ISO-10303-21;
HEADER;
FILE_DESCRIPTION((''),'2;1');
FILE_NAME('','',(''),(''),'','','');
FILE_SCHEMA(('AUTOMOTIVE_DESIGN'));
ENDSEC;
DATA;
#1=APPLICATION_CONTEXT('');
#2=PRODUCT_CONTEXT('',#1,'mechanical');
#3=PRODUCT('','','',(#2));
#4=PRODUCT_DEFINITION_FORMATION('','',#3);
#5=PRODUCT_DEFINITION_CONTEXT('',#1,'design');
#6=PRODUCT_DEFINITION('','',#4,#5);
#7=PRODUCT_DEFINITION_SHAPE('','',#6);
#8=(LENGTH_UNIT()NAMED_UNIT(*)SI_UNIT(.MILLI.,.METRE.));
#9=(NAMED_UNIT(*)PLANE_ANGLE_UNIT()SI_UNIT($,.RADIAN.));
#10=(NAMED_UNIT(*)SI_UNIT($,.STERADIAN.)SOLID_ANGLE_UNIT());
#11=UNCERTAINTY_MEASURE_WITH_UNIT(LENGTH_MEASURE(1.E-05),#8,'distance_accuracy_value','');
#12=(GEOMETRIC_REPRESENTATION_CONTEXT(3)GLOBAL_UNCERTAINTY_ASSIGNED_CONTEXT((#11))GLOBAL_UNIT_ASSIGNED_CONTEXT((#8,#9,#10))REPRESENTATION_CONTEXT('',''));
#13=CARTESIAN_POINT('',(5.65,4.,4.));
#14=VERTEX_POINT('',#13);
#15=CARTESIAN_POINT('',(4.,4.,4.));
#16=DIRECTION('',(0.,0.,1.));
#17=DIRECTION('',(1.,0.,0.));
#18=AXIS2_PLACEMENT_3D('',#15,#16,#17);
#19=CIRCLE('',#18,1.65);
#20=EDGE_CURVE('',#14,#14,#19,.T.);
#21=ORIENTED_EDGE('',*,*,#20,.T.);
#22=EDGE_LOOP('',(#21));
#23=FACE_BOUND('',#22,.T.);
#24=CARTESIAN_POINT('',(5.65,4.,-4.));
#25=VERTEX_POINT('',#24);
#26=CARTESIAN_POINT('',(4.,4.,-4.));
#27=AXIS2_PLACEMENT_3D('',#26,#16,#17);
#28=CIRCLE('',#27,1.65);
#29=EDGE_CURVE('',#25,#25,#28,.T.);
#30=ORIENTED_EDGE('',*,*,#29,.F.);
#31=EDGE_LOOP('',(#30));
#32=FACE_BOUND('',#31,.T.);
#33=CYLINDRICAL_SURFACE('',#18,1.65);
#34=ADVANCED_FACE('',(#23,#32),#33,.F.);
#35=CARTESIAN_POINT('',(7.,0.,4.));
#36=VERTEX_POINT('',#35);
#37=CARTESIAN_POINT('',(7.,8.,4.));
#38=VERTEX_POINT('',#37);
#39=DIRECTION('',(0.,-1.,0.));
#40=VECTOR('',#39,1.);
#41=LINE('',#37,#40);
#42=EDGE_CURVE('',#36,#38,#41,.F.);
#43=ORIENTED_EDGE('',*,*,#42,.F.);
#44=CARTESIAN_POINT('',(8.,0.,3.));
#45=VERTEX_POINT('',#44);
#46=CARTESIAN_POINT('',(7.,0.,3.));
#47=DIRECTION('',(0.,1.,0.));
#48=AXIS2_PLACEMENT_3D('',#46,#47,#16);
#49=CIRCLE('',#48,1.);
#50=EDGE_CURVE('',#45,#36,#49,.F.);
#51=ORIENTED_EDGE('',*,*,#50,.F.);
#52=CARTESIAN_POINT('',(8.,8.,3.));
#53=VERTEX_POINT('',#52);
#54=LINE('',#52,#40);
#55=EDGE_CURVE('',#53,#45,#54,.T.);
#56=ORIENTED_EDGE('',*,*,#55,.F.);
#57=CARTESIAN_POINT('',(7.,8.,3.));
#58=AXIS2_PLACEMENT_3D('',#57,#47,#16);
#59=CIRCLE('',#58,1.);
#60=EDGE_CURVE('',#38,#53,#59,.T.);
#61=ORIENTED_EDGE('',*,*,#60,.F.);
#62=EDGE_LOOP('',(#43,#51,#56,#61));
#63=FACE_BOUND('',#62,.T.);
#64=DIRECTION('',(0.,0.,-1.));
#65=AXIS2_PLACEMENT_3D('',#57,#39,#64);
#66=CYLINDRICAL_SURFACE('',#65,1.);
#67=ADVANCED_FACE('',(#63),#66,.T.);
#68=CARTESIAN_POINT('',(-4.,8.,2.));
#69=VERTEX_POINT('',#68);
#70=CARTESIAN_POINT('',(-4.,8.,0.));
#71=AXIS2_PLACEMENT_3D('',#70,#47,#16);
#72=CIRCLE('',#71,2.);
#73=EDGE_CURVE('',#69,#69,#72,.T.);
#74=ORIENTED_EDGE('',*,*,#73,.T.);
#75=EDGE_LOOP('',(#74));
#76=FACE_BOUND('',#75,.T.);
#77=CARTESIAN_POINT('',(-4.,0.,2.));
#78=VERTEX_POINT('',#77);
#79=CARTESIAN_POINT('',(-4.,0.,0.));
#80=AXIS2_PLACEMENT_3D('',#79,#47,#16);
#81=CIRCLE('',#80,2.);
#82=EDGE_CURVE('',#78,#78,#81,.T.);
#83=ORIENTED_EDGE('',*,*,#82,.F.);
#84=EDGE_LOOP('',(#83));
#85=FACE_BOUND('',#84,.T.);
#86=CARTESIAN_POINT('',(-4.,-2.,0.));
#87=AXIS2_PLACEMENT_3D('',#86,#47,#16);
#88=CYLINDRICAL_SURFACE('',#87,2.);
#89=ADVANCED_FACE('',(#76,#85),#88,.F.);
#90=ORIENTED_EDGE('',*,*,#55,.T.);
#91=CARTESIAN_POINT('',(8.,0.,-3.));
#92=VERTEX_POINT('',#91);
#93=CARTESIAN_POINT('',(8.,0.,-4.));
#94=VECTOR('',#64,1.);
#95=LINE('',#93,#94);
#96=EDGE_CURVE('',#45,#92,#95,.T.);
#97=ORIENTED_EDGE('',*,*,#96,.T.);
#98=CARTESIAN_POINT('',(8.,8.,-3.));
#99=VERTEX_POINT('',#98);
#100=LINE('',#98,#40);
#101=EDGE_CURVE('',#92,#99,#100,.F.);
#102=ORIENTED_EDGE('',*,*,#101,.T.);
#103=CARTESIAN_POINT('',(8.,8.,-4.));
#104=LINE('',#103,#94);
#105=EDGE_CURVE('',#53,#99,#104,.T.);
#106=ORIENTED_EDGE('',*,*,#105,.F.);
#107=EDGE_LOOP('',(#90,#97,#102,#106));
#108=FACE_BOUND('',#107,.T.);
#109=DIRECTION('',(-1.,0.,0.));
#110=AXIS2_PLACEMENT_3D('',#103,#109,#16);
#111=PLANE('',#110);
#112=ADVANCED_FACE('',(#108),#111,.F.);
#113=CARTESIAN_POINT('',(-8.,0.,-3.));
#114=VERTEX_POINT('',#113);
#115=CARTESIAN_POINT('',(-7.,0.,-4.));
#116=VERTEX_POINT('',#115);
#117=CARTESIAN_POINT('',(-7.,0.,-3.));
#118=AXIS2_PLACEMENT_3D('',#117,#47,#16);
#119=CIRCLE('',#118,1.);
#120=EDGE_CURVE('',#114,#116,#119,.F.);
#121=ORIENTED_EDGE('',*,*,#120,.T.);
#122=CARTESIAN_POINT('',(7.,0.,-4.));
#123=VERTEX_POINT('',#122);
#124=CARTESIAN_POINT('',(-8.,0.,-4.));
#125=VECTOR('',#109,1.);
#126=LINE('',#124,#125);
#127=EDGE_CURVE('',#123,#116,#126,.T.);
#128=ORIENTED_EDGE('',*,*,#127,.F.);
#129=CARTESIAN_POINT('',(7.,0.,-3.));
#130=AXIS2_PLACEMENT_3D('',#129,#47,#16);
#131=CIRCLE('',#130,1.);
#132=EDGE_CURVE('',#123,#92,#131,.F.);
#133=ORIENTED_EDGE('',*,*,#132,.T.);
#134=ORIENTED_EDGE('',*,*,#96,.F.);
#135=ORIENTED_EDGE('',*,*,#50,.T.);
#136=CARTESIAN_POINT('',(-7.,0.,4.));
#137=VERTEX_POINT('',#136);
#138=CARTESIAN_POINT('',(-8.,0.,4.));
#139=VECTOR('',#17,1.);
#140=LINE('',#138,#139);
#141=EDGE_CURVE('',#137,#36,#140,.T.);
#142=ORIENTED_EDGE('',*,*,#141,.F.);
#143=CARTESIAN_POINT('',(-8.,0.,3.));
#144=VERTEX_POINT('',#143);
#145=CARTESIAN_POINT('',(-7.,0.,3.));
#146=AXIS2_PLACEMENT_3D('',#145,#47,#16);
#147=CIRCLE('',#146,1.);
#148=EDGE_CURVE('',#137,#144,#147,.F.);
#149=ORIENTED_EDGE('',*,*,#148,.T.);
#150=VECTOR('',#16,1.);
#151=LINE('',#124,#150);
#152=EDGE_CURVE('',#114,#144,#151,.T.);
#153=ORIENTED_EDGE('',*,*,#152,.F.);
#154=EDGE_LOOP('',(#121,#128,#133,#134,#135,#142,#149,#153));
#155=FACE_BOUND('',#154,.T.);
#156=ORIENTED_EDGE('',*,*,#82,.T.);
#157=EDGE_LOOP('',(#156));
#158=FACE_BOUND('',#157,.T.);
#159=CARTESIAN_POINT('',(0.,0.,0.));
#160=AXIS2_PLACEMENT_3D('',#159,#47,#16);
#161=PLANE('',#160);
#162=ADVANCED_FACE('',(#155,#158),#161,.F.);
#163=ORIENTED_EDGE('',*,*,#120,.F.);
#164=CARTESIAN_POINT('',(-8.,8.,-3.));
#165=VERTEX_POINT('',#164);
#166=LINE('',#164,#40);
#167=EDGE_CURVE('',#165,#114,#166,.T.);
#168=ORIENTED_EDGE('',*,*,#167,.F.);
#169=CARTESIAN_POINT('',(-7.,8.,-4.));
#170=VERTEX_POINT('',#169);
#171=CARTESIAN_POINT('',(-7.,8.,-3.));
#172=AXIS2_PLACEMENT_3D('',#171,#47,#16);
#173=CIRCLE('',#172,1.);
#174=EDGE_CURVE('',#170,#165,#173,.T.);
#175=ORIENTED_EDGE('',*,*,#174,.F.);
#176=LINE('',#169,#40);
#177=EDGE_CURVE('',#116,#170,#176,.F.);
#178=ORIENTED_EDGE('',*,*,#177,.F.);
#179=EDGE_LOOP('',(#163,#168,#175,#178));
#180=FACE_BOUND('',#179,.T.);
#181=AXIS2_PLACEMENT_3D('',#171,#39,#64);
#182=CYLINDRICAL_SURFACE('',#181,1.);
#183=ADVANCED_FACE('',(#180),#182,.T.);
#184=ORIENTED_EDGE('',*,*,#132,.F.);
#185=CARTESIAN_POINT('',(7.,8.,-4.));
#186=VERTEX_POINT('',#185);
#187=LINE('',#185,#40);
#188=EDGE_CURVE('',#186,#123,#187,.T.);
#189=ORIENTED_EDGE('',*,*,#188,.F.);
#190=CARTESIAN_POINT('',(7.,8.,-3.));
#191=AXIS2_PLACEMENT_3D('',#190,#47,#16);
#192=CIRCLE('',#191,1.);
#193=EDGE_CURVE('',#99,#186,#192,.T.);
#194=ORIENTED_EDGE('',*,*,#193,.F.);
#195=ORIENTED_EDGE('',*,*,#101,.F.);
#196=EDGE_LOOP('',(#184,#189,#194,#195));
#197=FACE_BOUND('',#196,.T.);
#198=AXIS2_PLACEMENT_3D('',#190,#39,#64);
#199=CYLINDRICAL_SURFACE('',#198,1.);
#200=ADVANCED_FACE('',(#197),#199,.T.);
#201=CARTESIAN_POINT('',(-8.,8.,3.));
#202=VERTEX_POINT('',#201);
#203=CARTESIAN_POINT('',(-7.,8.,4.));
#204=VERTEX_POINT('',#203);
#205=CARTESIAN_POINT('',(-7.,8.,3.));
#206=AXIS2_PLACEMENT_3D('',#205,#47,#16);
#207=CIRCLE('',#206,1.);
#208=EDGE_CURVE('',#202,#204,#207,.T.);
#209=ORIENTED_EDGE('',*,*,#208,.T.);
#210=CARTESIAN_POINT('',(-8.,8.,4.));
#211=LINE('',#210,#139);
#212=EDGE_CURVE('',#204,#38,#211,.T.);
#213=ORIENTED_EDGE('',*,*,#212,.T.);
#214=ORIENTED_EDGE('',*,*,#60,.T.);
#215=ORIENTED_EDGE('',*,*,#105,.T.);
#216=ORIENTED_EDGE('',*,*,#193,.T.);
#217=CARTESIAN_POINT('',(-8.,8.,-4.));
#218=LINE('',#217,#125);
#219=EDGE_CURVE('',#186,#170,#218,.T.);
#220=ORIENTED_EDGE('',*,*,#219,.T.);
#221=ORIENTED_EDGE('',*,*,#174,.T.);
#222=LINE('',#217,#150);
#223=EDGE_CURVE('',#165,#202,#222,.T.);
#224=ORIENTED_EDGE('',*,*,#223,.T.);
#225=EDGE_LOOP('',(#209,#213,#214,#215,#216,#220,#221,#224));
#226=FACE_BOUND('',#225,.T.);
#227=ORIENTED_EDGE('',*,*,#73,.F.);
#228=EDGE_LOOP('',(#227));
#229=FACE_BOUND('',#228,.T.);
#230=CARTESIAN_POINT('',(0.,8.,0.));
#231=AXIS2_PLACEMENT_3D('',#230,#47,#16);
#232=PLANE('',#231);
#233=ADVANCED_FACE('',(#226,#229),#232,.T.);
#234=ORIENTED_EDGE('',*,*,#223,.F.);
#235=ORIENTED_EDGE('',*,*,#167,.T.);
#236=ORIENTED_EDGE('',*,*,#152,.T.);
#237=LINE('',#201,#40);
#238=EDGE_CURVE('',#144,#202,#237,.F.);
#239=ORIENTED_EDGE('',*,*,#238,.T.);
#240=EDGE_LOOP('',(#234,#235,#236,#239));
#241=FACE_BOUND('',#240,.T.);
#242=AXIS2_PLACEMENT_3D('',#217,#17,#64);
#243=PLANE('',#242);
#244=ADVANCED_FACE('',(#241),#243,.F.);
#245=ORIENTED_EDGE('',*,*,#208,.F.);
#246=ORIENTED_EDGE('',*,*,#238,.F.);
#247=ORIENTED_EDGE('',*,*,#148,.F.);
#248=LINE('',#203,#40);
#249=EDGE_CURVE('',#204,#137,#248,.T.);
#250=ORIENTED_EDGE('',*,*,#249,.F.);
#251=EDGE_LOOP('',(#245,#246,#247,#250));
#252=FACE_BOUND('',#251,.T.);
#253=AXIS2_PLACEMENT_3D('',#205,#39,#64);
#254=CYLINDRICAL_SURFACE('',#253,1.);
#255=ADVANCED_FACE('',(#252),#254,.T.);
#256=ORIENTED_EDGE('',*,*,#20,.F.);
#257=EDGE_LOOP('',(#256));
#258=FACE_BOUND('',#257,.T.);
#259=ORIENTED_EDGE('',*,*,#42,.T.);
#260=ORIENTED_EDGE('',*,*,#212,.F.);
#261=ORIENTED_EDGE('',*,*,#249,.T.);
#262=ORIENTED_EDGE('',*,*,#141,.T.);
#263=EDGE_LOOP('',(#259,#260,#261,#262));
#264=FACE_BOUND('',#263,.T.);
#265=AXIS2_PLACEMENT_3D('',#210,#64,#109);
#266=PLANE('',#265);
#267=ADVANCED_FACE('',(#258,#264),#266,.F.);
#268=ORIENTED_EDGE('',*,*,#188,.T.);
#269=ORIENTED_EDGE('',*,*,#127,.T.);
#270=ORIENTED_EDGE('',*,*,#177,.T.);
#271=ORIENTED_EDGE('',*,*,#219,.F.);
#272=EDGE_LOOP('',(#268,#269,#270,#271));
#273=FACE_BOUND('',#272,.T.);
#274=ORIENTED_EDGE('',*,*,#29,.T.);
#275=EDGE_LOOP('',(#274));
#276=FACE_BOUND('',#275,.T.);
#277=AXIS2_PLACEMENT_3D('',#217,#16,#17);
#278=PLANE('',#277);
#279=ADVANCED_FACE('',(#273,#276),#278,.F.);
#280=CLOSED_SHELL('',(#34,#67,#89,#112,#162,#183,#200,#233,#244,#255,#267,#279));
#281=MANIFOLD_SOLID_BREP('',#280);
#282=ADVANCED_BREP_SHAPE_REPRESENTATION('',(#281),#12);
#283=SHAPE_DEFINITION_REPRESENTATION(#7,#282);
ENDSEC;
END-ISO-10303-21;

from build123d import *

# Parameters (mm, degrees)
SKETCH_1_W             = 16
SKETCH_1_H             = 8
EXTRUDE_1_DEPTH        = 8
HOLE_WIZARD_M4_2_D     = 3.3
HOLE_WIZARD_M4_2_DEPTH = 11.6
HOLE_WIZARD_M4_2_TIP   = 0.991420021
FILLET_1_R             = 1
SKETCH_7_R             = 2
CUT_EXTRUDE_1_DEPTH    = 10


with BuildPart() as part:
    # 草图1 → 凸台-拉伸1 (new body)
    with BuildSketch(Plane(origin=(0, 0, 0), x_dir=(1, 0, 0), z_dir=(0, 1, 0))):
        Rectangle(SKETCH_1_W, SKETCH_1_H)
    extrude(amount=EXTRUDE_1_DEPTH)

    # M4 螺纹孔2
    with Locations(Plane.XY.offset(4)):
        with Locations((4, 4)):
            Hole(HOLE_WIZARD_M4_2_D / 2, depth=HOLE_WIZARD_M4_2_DEPTH)
            with Locations((0, 0, -(HOLE_WIZARD_M4_2_DEPTH + HOLE_WIZARD_M4_2_TIP / 2))):  # 118° drill point
                Cone(0, HOLE_WIZARD_M4_2_D / 2, HOLE_WIZARD_M4_2_TIP, mode=Mode.SUBTRACT)

    # 圆角1
    fillet_1_edges = [part.edges().sort_by_distance(p)[0] for p in [
        (8, 4, 4),
        (-8, 4, 4),
        (-8, 4, -4),
        (8, 4, -4),
    ]]
    fillet(fillet_1_edges, radius=FILLET_1_R)

    # 草图7 → 切除-拉伸1 (cut)
    with BuildSketch(Plane(origin=(0, 8, 0), x_dir=(1, 0, 0), z_dir=(0, 1, 0))):
        with Locations(Location((-4, 0, 0), (0, 0, 270))):
            Circle(SKETCH_7_R)
    extrude(amount=-CUT_EXTRUDE_1_DEPTH, mode=Mode.SUBTRACT)


solid = part.part
